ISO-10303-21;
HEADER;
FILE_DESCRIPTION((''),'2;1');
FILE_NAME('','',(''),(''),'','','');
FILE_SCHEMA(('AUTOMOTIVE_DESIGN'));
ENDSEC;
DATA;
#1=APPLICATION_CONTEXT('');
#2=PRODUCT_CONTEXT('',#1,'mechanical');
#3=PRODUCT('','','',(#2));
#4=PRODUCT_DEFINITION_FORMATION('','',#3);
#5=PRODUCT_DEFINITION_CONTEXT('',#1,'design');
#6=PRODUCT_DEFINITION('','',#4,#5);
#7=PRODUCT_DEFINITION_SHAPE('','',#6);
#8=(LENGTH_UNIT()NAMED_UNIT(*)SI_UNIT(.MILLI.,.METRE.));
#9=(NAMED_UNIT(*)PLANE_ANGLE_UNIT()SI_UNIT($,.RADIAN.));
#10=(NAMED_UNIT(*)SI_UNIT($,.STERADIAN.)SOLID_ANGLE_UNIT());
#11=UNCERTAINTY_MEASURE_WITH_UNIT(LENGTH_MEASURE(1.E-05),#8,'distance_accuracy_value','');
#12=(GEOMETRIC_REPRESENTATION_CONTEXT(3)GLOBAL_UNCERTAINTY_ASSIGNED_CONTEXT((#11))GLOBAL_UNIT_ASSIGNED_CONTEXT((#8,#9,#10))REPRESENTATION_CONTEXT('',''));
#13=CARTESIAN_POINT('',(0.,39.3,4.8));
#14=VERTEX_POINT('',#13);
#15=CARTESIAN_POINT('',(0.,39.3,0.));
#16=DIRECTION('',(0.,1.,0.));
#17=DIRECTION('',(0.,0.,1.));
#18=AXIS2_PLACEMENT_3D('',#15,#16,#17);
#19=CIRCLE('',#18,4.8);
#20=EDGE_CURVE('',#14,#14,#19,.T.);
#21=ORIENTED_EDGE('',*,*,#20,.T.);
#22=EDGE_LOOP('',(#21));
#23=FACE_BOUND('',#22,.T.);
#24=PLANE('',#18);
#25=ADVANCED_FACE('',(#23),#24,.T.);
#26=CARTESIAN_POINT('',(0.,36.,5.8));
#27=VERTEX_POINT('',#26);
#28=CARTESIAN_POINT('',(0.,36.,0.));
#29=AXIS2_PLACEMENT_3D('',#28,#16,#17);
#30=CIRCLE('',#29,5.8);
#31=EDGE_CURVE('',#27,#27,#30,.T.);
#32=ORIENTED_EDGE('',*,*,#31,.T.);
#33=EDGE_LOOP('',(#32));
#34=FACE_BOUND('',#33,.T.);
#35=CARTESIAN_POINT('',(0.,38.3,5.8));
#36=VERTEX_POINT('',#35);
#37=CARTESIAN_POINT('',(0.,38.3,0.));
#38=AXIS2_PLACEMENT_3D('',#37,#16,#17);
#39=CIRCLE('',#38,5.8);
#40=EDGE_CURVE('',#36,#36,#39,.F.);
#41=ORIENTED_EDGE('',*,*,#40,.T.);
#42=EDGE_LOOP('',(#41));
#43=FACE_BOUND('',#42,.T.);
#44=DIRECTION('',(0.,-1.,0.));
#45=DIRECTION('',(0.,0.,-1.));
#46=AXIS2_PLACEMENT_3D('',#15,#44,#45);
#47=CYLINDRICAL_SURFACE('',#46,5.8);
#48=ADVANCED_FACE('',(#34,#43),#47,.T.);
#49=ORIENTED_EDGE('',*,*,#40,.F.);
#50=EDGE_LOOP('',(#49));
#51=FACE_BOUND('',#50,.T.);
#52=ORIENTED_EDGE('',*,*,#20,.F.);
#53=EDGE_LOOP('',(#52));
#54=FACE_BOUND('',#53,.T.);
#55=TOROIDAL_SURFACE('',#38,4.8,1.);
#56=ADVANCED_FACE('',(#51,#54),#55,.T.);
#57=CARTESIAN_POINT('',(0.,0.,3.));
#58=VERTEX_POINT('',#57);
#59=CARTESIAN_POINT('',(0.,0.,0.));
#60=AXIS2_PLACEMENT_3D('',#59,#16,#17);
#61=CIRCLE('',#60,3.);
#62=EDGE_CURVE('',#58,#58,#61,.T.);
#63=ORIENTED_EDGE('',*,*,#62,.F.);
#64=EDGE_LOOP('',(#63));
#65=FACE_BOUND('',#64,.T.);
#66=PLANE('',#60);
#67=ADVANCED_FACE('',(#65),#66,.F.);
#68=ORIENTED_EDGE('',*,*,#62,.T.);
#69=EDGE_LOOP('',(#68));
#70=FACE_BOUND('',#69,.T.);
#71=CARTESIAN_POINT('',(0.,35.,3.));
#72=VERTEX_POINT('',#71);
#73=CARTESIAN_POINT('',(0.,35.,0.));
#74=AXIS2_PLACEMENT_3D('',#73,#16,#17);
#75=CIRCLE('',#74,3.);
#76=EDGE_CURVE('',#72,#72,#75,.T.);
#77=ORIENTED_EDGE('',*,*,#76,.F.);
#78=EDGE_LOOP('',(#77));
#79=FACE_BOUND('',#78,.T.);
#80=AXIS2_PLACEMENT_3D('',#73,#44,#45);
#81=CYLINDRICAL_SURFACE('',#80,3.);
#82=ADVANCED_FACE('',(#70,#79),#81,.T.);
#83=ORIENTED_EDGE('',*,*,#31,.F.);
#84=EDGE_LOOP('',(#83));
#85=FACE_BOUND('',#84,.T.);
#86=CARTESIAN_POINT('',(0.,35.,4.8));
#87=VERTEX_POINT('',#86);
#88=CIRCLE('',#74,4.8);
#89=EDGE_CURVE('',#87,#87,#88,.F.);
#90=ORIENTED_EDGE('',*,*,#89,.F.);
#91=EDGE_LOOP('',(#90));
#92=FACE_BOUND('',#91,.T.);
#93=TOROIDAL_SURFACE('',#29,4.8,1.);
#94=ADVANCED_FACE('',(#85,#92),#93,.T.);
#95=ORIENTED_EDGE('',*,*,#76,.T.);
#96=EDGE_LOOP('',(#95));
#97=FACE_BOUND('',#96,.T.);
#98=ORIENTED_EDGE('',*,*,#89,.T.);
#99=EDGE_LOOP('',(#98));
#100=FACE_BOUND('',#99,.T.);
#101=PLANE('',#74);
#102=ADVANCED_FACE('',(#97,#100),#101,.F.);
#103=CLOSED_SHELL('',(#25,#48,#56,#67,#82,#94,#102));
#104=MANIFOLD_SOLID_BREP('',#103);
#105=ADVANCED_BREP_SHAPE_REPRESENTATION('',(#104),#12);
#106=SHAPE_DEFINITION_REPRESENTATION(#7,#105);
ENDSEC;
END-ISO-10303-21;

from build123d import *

# Parameters (mm, degrees)
SKETCH1_R           = 3
BOSS_EXTRUDE1_DEPTH = 35
SKETCH2_R           = 5.8
BOSS_EXTRUDE2_DEPTH = 4.3
FILLET1_R           = 1


with BuildPart() as part:
    # Sketch1 → Boss-Extrude1 (new body)
    with BuildSketch(Plane(origin=(0, 0, 0), x_dir=(1, 0, 0), z_dir=(0, 1, 0))):
        with Locations(Location((0, 0, 0), (0, 0, 270))):  # turned: the seam where the file's is
            Circle(SKETCH1_R)
    extrude(amount=BOSS_EXTRUDE1_DEPTH)

    # Sketch2 → Boss-Extrude2 (add)
    with BuildSketch(Plane(origin=(0, 35, 0), x_dir=(1, 0, 0), z_dir=(0, 1, 0))):
        with Locations(Location((0, 0, 0), (0, 0, 270))):  # turned: the seam where the file's is
            Circle(SKETCH2_R)
    extrude(amount=BOSS_EXTRUDE2_DEPTH)

    # Fillet1
    fillet1_edges = [part.edges().sort_by_distance(p)[0] for p in [
        (0, 35, -5.8),
        (0, 39.3, -5.8),
    ]]
    fillet(fillet1_edges, radius=FILLET1_R)


solid = part.part
